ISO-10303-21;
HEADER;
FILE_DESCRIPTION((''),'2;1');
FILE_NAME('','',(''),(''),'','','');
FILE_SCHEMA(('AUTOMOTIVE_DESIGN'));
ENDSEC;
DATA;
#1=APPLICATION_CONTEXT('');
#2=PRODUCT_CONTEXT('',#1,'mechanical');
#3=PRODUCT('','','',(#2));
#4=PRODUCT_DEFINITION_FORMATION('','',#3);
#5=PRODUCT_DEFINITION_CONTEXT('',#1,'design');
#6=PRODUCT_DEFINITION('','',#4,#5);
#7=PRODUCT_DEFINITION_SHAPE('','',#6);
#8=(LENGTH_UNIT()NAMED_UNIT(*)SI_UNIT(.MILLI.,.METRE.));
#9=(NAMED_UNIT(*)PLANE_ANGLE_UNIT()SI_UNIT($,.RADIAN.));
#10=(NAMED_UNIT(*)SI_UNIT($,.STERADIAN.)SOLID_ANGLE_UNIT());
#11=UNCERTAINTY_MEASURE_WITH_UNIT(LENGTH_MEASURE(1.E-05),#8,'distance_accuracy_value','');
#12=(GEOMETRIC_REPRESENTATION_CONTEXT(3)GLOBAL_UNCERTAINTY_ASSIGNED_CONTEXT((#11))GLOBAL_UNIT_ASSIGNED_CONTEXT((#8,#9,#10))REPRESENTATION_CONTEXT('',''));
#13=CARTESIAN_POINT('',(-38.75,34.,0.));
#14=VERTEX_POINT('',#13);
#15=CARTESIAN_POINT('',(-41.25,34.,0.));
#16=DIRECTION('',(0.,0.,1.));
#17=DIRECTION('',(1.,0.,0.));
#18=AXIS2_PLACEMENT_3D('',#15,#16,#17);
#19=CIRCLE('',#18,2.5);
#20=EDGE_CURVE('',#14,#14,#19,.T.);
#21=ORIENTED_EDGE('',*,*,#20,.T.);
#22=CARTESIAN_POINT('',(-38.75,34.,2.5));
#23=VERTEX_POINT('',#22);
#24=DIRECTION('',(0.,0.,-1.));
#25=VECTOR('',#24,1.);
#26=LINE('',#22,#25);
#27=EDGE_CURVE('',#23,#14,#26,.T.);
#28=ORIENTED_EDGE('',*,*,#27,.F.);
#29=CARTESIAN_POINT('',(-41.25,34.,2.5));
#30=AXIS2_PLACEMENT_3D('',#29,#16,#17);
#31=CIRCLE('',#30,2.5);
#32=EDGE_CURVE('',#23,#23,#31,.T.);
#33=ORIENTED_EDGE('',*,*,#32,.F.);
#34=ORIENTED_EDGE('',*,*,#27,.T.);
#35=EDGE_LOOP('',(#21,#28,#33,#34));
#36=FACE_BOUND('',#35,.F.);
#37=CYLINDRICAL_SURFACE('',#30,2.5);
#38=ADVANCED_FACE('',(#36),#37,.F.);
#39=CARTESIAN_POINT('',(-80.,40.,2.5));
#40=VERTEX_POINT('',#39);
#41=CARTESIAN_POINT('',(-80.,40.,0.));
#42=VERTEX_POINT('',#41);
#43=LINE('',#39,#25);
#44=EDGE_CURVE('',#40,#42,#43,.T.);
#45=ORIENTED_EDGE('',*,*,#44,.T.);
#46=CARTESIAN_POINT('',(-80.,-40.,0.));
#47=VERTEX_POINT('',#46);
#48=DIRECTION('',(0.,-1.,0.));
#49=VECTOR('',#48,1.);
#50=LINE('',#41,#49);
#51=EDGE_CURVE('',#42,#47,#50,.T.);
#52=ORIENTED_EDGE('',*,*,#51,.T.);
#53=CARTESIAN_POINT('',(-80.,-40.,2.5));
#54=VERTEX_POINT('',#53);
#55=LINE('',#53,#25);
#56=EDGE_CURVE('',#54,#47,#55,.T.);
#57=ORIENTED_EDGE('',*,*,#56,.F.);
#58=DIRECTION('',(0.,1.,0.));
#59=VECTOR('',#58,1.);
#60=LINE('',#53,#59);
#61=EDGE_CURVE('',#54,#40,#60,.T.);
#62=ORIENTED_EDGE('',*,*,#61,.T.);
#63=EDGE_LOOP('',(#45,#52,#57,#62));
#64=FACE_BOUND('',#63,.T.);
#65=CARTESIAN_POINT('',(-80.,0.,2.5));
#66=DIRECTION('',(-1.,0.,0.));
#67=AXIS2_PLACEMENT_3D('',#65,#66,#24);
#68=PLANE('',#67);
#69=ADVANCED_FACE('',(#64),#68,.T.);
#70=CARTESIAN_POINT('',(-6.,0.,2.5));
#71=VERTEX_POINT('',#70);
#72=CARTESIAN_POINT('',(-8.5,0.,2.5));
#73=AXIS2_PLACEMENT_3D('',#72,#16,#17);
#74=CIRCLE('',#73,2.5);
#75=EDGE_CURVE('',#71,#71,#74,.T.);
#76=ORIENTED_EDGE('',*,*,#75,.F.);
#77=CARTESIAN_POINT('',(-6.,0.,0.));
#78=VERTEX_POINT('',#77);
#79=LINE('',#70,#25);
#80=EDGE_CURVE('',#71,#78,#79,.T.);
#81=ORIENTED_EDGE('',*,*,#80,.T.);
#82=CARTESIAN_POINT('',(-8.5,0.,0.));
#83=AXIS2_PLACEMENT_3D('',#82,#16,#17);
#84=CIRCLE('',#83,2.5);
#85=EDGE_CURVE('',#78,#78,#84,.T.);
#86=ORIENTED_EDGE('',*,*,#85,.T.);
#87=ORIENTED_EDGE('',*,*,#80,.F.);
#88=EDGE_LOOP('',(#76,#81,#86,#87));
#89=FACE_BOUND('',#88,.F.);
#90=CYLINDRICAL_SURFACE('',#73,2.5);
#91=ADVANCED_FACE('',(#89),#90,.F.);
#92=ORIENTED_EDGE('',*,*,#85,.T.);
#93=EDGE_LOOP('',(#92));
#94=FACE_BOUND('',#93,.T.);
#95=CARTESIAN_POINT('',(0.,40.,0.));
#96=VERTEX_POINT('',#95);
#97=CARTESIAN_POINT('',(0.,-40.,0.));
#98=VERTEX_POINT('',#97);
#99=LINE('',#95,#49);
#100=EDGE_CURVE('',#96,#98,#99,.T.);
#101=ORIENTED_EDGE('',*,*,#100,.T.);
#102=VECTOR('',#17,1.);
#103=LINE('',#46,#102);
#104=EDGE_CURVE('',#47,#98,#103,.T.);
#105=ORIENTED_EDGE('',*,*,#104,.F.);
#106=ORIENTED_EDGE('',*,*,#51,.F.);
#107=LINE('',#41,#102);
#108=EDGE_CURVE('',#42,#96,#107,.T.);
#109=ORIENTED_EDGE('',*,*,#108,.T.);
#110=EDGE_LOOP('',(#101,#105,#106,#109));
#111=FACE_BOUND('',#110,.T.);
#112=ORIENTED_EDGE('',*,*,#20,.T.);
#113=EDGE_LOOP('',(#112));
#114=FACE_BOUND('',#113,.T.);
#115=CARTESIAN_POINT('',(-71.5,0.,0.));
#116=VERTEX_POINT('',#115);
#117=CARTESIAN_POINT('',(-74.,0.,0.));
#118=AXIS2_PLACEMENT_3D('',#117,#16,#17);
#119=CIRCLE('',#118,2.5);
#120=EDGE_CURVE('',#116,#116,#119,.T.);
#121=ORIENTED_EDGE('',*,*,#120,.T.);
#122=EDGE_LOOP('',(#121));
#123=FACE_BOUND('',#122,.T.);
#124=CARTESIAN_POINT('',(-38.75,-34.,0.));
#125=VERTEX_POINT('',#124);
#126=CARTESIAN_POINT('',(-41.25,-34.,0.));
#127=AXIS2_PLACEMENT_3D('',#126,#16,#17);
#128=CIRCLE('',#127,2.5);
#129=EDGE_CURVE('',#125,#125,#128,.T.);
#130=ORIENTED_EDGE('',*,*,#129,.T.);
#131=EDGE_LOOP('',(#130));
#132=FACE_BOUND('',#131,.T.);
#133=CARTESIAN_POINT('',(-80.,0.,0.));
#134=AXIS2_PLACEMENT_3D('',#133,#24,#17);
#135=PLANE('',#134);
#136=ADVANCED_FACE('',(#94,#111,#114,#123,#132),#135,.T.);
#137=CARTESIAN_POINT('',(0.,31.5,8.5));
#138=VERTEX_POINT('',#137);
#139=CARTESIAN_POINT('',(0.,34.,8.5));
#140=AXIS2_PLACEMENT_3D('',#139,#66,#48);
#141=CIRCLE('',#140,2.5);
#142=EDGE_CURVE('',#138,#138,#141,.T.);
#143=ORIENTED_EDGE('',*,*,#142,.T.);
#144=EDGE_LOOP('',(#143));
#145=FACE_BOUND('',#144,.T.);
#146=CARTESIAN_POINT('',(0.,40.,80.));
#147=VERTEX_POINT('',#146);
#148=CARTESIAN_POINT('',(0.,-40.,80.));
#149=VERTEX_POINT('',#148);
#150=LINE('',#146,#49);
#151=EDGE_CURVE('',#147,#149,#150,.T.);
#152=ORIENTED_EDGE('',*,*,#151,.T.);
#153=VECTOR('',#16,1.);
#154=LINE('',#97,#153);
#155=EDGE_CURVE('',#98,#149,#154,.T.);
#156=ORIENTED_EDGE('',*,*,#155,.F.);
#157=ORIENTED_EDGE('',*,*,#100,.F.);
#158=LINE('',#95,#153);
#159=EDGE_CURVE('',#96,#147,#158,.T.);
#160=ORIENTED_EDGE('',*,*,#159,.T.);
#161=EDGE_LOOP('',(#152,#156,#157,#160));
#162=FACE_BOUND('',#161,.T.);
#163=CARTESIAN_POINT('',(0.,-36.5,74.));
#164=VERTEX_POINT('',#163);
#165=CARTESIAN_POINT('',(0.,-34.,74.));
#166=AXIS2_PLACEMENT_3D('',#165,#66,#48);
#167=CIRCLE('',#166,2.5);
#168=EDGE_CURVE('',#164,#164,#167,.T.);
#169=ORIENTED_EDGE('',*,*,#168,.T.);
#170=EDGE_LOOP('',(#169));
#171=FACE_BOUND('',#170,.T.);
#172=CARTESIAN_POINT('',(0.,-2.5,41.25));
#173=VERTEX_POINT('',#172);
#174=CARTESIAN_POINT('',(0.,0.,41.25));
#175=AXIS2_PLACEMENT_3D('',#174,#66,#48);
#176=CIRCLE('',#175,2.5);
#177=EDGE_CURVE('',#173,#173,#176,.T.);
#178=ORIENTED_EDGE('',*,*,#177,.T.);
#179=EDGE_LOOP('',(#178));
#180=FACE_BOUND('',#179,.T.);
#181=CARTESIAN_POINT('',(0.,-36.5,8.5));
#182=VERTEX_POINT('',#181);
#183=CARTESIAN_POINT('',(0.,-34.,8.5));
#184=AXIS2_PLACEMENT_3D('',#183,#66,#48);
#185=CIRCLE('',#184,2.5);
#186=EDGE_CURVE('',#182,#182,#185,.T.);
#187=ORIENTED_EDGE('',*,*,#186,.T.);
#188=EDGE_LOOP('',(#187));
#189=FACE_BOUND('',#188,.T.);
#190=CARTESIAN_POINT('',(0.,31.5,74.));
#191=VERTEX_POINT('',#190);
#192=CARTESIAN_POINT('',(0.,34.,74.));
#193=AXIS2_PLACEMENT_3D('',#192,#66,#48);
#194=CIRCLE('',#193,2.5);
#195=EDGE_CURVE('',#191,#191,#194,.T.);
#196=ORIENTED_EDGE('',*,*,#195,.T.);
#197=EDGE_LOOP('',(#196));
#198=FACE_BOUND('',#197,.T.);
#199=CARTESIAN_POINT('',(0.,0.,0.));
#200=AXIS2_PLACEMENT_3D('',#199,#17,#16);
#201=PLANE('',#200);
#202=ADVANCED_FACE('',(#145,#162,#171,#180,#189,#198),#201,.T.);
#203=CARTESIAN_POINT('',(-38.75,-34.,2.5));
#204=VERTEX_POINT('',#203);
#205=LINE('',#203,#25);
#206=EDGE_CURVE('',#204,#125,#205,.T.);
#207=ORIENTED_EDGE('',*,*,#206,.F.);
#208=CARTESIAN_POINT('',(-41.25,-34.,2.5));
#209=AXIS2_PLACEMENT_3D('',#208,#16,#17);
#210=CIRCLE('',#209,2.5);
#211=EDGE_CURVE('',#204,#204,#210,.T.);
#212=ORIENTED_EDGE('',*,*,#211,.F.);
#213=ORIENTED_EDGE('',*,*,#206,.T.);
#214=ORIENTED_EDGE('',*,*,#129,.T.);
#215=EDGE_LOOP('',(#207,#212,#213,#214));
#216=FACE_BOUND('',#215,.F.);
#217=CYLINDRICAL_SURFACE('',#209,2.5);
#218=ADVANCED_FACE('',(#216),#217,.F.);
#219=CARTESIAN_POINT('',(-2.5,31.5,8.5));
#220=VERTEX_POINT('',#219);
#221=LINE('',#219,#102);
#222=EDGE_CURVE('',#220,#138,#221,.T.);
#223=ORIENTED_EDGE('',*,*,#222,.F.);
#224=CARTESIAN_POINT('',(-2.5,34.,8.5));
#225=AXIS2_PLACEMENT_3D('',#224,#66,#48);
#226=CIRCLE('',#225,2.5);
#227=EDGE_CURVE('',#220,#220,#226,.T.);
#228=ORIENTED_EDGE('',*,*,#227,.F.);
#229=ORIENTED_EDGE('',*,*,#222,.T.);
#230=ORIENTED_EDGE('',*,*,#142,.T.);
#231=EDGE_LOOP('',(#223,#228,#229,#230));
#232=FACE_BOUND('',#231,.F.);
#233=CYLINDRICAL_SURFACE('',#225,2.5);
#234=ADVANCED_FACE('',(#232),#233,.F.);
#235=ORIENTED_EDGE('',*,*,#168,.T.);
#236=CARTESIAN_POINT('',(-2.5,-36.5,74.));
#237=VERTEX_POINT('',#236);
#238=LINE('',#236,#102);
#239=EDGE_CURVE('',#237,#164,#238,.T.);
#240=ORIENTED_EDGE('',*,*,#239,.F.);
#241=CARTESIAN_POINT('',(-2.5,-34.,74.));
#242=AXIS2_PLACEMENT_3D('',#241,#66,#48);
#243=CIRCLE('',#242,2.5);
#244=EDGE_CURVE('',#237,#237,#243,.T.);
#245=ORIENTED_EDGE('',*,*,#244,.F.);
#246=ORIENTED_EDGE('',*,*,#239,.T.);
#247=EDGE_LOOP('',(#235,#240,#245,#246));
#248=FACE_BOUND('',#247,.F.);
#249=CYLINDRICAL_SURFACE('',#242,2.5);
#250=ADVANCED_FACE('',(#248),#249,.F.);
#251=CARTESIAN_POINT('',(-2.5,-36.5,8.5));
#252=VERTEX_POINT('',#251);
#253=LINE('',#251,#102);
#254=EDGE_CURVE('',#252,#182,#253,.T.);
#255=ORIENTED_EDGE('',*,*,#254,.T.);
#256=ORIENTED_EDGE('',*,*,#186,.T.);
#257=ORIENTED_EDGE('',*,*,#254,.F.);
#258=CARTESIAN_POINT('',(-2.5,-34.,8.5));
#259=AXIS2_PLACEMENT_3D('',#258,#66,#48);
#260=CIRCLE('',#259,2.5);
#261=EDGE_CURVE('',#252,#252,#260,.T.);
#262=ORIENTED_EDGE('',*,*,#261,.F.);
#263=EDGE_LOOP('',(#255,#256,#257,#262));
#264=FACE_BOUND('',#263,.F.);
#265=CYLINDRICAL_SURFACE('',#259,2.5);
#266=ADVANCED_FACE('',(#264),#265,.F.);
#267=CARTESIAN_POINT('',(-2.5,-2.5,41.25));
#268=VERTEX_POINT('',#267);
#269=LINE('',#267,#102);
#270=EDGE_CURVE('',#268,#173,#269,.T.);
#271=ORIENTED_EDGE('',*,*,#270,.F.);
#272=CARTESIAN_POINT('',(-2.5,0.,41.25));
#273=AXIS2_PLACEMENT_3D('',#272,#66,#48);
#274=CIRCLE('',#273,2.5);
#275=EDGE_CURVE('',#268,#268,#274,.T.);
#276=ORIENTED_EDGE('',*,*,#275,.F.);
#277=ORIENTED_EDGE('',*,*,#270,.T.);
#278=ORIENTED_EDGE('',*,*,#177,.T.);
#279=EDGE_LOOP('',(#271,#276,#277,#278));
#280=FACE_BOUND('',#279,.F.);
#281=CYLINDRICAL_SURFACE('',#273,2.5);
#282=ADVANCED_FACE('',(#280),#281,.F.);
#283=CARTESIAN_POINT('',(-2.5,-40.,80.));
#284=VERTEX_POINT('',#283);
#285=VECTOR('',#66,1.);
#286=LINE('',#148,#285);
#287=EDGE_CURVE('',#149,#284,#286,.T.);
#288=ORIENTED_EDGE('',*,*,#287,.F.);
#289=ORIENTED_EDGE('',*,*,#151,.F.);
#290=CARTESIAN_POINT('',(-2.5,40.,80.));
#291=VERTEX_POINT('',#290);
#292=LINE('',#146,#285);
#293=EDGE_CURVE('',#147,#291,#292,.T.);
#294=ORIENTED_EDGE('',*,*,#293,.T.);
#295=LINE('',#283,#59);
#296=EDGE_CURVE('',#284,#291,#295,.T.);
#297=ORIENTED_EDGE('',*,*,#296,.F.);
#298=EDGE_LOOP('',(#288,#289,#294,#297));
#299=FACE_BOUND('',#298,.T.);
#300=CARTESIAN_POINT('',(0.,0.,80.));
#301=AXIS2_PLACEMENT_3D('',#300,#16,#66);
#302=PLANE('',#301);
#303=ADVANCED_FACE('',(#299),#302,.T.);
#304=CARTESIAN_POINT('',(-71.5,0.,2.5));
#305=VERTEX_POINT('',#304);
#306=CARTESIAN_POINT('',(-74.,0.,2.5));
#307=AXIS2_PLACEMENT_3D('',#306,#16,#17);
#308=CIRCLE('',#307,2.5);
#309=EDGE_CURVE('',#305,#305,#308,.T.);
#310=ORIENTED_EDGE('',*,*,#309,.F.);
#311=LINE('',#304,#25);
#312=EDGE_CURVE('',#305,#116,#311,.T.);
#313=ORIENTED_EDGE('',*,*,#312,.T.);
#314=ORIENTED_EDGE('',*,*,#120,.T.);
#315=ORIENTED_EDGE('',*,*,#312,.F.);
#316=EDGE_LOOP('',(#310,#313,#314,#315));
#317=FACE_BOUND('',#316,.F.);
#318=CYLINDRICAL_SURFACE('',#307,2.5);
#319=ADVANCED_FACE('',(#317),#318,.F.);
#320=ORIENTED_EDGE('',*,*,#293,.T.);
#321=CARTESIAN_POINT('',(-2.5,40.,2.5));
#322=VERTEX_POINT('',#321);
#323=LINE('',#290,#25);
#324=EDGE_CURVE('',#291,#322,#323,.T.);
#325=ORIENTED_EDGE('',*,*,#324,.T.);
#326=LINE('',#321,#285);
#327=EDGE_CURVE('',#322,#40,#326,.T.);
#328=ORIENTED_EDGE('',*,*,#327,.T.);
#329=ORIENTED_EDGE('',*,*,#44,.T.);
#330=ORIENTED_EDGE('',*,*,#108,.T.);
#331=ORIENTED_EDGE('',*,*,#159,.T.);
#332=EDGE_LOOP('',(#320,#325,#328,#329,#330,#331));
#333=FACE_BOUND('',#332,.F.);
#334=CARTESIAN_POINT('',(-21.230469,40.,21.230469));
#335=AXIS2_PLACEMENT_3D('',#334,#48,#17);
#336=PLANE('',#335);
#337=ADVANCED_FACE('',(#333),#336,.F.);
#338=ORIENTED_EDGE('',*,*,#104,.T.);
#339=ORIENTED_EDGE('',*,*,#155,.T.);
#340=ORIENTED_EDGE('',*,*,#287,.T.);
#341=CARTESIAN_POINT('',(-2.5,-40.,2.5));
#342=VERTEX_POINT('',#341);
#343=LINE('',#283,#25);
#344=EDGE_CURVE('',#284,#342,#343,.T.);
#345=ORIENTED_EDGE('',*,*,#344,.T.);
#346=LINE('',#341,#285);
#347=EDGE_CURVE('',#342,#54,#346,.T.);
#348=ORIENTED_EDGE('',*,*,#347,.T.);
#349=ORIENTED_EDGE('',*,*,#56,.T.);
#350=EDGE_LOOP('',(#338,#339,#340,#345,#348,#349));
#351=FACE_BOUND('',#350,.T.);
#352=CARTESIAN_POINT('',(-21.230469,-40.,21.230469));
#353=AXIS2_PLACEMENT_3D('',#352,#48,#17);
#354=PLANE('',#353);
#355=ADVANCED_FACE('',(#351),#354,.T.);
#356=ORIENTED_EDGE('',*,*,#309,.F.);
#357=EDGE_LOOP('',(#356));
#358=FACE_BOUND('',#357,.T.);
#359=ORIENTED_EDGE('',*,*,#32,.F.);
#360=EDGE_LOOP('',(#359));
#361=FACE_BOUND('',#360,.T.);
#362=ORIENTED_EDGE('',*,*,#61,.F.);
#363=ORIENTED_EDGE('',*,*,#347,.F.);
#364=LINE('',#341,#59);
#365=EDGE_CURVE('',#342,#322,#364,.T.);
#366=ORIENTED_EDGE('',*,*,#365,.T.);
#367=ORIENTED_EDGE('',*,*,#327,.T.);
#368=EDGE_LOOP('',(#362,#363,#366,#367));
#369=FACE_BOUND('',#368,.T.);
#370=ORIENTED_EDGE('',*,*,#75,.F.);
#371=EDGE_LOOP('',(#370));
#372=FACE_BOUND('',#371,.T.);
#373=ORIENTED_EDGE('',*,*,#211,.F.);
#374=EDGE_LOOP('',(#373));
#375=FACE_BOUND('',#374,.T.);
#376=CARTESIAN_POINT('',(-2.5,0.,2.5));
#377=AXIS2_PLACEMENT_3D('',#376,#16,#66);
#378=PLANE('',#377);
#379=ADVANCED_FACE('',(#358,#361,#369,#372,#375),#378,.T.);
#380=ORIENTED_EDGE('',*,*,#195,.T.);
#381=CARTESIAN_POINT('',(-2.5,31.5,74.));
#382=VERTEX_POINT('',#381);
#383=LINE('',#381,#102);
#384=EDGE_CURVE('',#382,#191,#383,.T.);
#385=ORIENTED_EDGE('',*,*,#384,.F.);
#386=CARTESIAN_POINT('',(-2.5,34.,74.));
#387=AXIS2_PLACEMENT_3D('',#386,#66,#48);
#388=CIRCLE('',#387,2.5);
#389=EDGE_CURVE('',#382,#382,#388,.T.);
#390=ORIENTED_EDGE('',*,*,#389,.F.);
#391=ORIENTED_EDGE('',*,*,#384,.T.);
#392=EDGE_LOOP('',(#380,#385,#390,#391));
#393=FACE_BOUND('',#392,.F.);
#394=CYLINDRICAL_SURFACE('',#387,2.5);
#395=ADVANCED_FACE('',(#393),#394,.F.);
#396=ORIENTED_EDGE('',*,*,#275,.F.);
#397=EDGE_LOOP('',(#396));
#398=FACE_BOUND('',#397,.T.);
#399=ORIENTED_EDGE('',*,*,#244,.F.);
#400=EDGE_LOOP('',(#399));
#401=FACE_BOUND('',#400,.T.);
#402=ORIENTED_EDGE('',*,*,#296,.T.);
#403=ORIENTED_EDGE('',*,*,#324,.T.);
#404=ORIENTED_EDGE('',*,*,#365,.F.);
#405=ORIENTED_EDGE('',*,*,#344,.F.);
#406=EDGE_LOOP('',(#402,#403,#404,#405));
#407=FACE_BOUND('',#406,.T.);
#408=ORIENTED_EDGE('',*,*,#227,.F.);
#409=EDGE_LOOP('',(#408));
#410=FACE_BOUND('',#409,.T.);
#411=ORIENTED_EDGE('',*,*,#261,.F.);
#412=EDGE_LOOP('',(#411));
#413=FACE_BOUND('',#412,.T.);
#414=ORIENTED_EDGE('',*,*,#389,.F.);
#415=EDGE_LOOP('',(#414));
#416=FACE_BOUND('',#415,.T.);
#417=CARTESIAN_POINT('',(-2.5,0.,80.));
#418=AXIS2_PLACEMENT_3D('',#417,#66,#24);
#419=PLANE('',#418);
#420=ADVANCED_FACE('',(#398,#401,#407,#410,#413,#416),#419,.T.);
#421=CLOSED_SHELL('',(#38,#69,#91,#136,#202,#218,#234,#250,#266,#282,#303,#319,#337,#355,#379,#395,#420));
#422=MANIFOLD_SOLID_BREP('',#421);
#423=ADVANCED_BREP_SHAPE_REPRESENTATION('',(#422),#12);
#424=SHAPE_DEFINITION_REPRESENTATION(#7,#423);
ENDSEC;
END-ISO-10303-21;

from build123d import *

# Parameters (mm, degrees)
F1_DEPTH = 40
F2_R     = 2.5
F3_DEPTH = 25
F4_R     = 2.5
F5_DEPTH = 25


with BuildPart() as f1:
    # F0 (on Front) → F1 (new body, symmetric)
    with BuildSketch(Plane.XZ):
        Polygon((-80, 2.5), (-80, 0), (0, 0), (0, 80), (-2.5, 80), (-2.5, 2.5), align=None)
    extrude(amount=F1_DEPTH, both=True)

    # F2 (on face) → F3 (cut)
    with BuildSketch(Plane(origin=(-2.5, 0, 0), x_dir=(0, -1, 0), z_dir=(-1, 0, 0))):
        with Locations((0, 41.25)):
            Circle(F2_R)
        with Locations((-34, 8.5)):
            Circle(F2_R)
        with Locations((-34, 74)):
            Circle(F2_R)
        with Locations((34, 74)):
            Circle(F2_R)
        with Locations((34, 8.5)):
            Circle(F2_R)
    extrude(amount=-F3_DEPTH, mode=Mode.SUBTRACT)

    # F4 (on face) → F5 (cut)
    with BuildSketch(Plane.XY.offset(2.5)):
        with Locations((-74, 0)):
            Circle(F4_R)
        with Locations((-41.25, 34)):
            Circle(F4_R)
        with Locations((-41.25, -34)):
            Circle(F4_R)
        with Locations((-8.5, 0)):
            Circle(F4_R)
    extrude(amount=-F5_DEPTH, mode=Mode.SUBTRACT)


solid = f1.part
